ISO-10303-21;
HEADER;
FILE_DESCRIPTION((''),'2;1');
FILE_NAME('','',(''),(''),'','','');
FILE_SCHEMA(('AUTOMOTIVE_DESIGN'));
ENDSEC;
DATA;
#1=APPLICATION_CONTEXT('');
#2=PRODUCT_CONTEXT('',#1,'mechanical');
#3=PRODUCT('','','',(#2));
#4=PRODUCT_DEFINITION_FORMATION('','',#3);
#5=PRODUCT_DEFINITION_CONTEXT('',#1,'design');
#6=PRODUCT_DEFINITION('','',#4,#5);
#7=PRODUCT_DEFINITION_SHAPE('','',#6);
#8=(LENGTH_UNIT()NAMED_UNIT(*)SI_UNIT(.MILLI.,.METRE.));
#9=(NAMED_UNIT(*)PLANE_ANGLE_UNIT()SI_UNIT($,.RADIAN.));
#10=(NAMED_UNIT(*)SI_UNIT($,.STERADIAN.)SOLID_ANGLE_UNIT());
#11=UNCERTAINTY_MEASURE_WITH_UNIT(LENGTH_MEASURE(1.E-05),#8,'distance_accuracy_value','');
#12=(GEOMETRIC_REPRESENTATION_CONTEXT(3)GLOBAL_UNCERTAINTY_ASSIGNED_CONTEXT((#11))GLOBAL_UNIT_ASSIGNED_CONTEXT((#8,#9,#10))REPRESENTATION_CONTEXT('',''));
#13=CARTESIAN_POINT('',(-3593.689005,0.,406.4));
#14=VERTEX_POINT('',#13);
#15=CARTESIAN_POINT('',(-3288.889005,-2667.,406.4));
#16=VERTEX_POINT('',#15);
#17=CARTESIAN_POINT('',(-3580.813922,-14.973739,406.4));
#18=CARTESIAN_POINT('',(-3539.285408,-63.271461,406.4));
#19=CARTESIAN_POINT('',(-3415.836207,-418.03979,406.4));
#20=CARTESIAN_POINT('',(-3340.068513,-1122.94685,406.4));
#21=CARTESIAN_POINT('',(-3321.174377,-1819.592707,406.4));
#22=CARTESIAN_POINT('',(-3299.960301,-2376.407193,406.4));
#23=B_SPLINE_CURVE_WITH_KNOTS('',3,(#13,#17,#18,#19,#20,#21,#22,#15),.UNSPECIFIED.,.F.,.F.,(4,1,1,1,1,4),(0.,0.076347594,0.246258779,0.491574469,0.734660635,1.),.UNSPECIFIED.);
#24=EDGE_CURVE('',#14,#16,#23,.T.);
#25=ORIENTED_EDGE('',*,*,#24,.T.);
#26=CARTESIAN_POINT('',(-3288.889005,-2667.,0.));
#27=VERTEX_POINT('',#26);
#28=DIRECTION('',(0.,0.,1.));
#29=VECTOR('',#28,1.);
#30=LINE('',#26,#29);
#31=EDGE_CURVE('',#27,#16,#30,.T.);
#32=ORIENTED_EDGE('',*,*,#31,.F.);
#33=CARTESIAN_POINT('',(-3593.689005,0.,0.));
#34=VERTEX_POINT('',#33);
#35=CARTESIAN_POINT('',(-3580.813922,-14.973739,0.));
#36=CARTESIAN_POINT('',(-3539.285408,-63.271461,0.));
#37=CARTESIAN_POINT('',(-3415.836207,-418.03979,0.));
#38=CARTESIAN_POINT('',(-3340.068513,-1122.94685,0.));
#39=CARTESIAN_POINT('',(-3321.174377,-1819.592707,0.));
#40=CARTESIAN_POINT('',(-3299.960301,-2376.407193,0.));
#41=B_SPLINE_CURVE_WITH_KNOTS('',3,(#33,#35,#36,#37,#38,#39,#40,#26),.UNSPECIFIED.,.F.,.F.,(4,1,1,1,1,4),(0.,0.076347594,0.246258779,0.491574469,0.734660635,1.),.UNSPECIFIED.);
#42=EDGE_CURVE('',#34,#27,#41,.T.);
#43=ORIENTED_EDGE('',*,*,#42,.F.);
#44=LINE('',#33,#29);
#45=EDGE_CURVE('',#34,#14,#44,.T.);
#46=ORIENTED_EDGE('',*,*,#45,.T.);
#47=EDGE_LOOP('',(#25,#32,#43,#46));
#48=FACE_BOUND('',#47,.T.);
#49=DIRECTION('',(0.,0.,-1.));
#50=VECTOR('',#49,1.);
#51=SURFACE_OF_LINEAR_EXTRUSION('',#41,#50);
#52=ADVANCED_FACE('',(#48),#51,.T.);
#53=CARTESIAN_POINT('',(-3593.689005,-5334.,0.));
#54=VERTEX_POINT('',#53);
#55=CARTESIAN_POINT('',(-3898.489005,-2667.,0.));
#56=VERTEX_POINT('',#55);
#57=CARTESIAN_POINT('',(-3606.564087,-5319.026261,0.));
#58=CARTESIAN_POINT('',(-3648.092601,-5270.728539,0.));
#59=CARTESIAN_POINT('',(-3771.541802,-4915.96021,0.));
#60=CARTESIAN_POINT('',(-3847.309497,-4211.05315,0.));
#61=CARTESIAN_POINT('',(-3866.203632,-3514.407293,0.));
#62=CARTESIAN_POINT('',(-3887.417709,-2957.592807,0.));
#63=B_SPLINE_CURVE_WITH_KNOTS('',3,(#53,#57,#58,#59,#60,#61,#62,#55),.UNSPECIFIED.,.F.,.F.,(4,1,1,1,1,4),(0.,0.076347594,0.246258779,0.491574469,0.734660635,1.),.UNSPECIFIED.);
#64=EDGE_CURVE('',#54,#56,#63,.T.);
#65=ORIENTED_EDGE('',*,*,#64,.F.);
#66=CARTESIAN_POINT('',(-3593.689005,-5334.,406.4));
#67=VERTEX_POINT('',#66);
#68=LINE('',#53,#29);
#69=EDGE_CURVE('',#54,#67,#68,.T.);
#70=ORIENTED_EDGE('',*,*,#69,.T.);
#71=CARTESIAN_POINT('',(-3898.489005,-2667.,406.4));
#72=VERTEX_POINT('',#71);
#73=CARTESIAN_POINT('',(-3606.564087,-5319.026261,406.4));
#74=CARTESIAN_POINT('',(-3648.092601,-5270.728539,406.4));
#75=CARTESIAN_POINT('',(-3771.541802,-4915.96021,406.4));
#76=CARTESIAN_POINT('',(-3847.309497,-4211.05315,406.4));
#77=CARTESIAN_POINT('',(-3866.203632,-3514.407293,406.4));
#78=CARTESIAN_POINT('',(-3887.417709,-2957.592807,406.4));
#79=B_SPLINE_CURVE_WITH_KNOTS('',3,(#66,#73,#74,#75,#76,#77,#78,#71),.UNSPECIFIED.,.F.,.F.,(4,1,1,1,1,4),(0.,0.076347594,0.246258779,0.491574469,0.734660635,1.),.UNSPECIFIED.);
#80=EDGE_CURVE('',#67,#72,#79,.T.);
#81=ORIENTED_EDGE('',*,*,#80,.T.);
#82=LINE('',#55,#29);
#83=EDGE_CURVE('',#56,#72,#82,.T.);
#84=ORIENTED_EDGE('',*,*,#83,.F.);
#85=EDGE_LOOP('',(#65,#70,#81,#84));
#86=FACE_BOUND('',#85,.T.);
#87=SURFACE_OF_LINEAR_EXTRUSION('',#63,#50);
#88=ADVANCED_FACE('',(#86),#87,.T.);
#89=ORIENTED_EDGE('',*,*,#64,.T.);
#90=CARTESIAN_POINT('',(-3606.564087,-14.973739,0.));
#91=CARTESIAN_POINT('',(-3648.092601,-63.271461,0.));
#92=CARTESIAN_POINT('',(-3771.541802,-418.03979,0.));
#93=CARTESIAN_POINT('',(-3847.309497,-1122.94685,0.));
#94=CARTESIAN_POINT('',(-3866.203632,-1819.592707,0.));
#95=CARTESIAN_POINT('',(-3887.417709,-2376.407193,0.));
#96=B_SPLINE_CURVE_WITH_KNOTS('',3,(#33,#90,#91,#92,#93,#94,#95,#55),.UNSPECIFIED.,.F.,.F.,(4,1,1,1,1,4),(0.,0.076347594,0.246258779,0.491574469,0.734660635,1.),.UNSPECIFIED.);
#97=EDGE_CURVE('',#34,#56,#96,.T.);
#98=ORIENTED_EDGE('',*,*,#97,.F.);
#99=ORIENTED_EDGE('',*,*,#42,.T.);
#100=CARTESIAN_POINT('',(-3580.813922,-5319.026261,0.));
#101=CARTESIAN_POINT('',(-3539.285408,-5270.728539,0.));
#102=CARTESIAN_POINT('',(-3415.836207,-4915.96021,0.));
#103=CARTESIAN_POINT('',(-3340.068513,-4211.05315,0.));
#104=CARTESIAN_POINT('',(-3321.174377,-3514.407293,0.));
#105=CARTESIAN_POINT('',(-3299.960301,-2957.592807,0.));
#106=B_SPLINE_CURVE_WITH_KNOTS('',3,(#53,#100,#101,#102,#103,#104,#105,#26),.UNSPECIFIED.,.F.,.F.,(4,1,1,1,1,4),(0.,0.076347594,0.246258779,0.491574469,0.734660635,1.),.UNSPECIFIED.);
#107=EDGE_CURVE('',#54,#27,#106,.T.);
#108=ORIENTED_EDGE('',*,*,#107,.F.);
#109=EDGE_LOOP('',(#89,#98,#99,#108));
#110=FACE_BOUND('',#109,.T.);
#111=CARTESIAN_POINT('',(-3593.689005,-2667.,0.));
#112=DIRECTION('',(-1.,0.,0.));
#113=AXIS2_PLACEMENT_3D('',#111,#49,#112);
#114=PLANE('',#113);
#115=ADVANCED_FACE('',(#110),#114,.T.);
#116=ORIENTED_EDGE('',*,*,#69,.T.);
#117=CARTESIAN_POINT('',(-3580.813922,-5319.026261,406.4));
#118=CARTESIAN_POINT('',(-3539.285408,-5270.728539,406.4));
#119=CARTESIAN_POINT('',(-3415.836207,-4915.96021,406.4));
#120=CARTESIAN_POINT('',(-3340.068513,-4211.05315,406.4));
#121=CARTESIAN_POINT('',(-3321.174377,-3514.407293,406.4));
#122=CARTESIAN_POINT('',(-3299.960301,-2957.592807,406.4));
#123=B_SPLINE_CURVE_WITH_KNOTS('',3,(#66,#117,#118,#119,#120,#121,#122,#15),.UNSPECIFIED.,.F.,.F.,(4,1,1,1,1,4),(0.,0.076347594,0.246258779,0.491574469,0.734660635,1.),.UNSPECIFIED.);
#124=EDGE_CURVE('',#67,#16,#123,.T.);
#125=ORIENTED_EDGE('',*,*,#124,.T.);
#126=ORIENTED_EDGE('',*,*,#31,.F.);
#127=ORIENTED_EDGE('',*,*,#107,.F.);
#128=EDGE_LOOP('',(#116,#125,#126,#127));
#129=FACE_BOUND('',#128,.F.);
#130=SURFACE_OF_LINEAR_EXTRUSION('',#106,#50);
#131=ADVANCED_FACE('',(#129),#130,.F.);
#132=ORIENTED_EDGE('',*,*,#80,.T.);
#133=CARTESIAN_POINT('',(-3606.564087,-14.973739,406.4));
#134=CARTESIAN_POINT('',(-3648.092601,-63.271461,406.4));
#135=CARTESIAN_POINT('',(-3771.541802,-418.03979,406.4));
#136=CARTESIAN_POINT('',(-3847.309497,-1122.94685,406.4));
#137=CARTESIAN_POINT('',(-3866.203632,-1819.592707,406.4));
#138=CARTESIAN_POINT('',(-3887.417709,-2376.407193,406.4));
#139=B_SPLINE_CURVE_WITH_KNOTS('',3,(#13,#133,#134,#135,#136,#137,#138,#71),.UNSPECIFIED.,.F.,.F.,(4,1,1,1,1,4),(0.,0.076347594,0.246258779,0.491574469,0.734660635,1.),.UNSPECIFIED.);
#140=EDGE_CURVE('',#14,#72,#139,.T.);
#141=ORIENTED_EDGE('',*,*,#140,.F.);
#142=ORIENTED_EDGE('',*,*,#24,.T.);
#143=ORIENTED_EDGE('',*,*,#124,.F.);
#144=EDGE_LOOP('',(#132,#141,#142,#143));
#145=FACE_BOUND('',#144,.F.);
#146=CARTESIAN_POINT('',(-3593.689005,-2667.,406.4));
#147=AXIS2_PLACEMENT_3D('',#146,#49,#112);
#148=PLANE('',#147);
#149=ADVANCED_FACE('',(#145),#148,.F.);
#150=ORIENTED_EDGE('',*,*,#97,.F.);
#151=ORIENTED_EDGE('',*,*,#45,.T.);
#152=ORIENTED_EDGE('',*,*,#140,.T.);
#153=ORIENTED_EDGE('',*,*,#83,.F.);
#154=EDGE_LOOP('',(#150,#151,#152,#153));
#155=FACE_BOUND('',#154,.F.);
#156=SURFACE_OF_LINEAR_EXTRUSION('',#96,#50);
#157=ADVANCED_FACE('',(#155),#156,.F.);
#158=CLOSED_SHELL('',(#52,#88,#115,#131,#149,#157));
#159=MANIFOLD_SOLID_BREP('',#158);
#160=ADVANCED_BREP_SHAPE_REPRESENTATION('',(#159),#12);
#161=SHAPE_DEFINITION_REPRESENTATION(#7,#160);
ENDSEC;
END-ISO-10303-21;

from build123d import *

# Parameters (mm, degrees)
F1_DEPTH = 406.4


with BuildPart() as f1:
    # F0 (on Top) → F1 (new body)
    with BuildSketch(Plane.XY):
        with BuildLine():
            add(Edge.make_bspline(
                [(-3593.6890046341, 0), (-3580.8139220982, -14.9737394294), (-3539.2854082194, -63.2714605493), (-3415.8362069547, -418.0397903805), (-3340.0685127676, -1122.9468498751), (-3321.1743770526, -1819.5927069898), (-3299.96030066, -2376.4071930225), (-3288.8890046341, -2667)],
                knots=[0, 0, 0, 0, 0.0763475938, 0.2462587793, 0.4915744688, 0.7346606348, 1, 1, 1, 1], degree=3))
            add(Edge.make_bspline(
                [(-3593.6890046341, 0), (-3606.5640871699, -14.9737394294), (-3648.0926010487, -63.2714605493), (-3771.5418023134, -418.0397903805), (-3847.3094965006, -1122.9468498751), (-3866.2036322155, -1819.5927069898), (-3887.4177086082, -2376.4071930225), (-3898.4890046341, -2667)],
                knots=[0, 0, 0, 0, 0.0763475938, 0.2462587793, 0.4915744688, 0.7346606348, 1, 1, 1, 1], degree=3))
            add(Edge.make_bspline(
                [(-3593.6890046341, -5334), (-3606.5640871699, -5319.0262605706), (-3648.0926010487, -5270.7285394507), (-3771.5418023134, -4915.9602096195), (-3847.3094965006, -4211.0531501249), (-3866.2036322155, -3514.4072930102), (-3887.4177086082, -2957.5928069775), (-3898.4890046341, -2667)],
                knots=[0, 0, 0, 0, 0.0763475938, 0.2462587793, 0.4915744688, 0.7346606348, 1, 1, 1, 1], degree=3))
            add(Edge.make_bspline(
                [(-3593.6890046341, -5334), (-3580.8139220982, -5319.0262605706), (-3539.2854082194, -5270.7285394507), (-3415.8362069547, -4915.9602096195), (-3340.0685127676, -4211.0531501249), (-3321.1743770526, -3514.4072930102), (-3299.96030066, -2957.5928069775), (-3288.8890046341, -2667)],
                knots=[0, 0, 0, 0, 0.0763475938, 0.2462587793, 0.4915744688, 0.7346606348, 1, 1, 1, 1], degree=3))
        make_face()
    extrude(amount=F1_DEPTH)


solid = f1.part
